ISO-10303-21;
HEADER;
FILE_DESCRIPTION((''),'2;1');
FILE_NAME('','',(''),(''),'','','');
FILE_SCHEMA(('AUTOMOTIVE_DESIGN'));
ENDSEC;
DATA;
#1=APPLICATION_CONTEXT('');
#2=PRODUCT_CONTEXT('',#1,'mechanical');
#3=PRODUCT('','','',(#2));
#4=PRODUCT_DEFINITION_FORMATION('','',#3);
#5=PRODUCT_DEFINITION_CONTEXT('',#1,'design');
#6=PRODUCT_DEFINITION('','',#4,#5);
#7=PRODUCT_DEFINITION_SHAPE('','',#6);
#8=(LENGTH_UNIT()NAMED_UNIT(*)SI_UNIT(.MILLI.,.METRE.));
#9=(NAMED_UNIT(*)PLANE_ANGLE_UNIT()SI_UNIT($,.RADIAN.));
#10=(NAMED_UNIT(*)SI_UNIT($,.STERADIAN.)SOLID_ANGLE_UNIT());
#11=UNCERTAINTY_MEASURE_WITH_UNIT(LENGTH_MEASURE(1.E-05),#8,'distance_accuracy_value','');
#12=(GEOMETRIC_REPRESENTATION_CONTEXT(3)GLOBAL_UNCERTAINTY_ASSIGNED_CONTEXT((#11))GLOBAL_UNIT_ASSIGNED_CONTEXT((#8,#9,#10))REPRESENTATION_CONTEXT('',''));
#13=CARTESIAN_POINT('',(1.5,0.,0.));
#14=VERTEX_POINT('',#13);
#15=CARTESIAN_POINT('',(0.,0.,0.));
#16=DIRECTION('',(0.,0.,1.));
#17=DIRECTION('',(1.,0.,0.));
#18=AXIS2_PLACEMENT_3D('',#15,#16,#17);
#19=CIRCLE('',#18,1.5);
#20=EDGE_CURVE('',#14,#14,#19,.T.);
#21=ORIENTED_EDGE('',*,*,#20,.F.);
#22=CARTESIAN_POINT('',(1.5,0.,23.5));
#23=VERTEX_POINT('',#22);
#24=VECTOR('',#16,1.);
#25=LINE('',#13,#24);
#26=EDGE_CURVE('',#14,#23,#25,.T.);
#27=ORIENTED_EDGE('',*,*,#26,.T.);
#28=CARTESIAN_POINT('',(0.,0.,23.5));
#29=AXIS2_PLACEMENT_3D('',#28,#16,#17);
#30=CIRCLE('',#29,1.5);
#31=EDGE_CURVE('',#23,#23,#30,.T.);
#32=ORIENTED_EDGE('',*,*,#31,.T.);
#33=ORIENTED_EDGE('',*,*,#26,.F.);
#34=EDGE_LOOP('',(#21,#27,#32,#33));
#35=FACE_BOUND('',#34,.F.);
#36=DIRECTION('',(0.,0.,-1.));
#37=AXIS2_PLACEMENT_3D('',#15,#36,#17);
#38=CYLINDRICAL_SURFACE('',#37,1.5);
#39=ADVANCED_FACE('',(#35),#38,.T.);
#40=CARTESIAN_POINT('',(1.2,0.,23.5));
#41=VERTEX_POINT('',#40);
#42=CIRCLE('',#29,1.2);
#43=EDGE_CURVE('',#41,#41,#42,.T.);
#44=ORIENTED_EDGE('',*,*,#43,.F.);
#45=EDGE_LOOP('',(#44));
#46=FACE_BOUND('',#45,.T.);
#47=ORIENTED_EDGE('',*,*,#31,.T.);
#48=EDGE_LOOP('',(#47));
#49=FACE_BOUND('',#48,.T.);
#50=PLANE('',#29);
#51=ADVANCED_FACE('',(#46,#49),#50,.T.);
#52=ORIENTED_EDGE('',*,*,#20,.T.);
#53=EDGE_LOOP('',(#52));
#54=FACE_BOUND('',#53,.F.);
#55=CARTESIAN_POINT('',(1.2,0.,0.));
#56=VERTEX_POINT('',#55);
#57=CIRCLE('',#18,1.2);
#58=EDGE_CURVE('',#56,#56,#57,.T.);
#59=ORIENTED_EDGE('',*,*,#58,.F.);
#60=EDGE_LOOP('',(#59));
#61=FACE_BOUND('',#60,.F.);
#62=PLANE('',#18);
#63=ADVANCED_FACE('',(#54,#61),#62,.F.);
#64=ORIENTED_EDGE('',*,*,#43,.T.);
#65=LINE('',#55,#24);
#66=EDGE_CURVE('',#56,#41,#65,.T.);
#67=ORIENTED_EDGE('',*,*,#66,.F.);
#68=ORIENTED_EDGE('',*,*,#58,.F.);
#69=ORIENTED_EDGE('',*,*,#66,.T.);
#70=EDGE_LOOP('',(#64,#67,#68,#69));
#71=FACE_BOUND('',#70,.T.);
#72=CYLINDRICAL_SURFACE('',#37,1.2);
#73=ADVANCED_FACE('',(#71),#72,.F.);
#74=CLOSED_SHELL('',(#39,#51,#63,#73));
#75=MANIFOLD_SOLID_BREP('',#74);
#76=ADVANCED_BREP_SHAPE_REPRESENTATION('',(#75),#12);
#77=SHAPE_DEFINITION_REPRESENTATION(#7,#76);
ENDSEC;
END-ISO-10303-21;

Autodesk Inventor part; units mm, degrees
ref_plane "YZ Plane" through (0, 0, 0) normal (1, 0, 0) x (0, 1, 0)
ref_plane "XZ Plane" through (0, 0, 0) normal (0, 1, 0) x (-1, 0, 0)
ref_plane "XY Plane" through (0, 0, 0) normal (0, 0, 1) x (1, 0, 0)
sketch "Skizze1" plane through (0, 0, 0) normal (0, 0, 1) x (1, 0, 0)
  circle A0 centre (0, 0) radius 1.5
  circle A1 centre (0, 0) radius 1.2
  dimension "d0" = 3
  dimension "d1" = 2.4
extrude "Extrusion1" add sketch "Skizze1" along normal blind 23.5
properties part number "RollAxis"
